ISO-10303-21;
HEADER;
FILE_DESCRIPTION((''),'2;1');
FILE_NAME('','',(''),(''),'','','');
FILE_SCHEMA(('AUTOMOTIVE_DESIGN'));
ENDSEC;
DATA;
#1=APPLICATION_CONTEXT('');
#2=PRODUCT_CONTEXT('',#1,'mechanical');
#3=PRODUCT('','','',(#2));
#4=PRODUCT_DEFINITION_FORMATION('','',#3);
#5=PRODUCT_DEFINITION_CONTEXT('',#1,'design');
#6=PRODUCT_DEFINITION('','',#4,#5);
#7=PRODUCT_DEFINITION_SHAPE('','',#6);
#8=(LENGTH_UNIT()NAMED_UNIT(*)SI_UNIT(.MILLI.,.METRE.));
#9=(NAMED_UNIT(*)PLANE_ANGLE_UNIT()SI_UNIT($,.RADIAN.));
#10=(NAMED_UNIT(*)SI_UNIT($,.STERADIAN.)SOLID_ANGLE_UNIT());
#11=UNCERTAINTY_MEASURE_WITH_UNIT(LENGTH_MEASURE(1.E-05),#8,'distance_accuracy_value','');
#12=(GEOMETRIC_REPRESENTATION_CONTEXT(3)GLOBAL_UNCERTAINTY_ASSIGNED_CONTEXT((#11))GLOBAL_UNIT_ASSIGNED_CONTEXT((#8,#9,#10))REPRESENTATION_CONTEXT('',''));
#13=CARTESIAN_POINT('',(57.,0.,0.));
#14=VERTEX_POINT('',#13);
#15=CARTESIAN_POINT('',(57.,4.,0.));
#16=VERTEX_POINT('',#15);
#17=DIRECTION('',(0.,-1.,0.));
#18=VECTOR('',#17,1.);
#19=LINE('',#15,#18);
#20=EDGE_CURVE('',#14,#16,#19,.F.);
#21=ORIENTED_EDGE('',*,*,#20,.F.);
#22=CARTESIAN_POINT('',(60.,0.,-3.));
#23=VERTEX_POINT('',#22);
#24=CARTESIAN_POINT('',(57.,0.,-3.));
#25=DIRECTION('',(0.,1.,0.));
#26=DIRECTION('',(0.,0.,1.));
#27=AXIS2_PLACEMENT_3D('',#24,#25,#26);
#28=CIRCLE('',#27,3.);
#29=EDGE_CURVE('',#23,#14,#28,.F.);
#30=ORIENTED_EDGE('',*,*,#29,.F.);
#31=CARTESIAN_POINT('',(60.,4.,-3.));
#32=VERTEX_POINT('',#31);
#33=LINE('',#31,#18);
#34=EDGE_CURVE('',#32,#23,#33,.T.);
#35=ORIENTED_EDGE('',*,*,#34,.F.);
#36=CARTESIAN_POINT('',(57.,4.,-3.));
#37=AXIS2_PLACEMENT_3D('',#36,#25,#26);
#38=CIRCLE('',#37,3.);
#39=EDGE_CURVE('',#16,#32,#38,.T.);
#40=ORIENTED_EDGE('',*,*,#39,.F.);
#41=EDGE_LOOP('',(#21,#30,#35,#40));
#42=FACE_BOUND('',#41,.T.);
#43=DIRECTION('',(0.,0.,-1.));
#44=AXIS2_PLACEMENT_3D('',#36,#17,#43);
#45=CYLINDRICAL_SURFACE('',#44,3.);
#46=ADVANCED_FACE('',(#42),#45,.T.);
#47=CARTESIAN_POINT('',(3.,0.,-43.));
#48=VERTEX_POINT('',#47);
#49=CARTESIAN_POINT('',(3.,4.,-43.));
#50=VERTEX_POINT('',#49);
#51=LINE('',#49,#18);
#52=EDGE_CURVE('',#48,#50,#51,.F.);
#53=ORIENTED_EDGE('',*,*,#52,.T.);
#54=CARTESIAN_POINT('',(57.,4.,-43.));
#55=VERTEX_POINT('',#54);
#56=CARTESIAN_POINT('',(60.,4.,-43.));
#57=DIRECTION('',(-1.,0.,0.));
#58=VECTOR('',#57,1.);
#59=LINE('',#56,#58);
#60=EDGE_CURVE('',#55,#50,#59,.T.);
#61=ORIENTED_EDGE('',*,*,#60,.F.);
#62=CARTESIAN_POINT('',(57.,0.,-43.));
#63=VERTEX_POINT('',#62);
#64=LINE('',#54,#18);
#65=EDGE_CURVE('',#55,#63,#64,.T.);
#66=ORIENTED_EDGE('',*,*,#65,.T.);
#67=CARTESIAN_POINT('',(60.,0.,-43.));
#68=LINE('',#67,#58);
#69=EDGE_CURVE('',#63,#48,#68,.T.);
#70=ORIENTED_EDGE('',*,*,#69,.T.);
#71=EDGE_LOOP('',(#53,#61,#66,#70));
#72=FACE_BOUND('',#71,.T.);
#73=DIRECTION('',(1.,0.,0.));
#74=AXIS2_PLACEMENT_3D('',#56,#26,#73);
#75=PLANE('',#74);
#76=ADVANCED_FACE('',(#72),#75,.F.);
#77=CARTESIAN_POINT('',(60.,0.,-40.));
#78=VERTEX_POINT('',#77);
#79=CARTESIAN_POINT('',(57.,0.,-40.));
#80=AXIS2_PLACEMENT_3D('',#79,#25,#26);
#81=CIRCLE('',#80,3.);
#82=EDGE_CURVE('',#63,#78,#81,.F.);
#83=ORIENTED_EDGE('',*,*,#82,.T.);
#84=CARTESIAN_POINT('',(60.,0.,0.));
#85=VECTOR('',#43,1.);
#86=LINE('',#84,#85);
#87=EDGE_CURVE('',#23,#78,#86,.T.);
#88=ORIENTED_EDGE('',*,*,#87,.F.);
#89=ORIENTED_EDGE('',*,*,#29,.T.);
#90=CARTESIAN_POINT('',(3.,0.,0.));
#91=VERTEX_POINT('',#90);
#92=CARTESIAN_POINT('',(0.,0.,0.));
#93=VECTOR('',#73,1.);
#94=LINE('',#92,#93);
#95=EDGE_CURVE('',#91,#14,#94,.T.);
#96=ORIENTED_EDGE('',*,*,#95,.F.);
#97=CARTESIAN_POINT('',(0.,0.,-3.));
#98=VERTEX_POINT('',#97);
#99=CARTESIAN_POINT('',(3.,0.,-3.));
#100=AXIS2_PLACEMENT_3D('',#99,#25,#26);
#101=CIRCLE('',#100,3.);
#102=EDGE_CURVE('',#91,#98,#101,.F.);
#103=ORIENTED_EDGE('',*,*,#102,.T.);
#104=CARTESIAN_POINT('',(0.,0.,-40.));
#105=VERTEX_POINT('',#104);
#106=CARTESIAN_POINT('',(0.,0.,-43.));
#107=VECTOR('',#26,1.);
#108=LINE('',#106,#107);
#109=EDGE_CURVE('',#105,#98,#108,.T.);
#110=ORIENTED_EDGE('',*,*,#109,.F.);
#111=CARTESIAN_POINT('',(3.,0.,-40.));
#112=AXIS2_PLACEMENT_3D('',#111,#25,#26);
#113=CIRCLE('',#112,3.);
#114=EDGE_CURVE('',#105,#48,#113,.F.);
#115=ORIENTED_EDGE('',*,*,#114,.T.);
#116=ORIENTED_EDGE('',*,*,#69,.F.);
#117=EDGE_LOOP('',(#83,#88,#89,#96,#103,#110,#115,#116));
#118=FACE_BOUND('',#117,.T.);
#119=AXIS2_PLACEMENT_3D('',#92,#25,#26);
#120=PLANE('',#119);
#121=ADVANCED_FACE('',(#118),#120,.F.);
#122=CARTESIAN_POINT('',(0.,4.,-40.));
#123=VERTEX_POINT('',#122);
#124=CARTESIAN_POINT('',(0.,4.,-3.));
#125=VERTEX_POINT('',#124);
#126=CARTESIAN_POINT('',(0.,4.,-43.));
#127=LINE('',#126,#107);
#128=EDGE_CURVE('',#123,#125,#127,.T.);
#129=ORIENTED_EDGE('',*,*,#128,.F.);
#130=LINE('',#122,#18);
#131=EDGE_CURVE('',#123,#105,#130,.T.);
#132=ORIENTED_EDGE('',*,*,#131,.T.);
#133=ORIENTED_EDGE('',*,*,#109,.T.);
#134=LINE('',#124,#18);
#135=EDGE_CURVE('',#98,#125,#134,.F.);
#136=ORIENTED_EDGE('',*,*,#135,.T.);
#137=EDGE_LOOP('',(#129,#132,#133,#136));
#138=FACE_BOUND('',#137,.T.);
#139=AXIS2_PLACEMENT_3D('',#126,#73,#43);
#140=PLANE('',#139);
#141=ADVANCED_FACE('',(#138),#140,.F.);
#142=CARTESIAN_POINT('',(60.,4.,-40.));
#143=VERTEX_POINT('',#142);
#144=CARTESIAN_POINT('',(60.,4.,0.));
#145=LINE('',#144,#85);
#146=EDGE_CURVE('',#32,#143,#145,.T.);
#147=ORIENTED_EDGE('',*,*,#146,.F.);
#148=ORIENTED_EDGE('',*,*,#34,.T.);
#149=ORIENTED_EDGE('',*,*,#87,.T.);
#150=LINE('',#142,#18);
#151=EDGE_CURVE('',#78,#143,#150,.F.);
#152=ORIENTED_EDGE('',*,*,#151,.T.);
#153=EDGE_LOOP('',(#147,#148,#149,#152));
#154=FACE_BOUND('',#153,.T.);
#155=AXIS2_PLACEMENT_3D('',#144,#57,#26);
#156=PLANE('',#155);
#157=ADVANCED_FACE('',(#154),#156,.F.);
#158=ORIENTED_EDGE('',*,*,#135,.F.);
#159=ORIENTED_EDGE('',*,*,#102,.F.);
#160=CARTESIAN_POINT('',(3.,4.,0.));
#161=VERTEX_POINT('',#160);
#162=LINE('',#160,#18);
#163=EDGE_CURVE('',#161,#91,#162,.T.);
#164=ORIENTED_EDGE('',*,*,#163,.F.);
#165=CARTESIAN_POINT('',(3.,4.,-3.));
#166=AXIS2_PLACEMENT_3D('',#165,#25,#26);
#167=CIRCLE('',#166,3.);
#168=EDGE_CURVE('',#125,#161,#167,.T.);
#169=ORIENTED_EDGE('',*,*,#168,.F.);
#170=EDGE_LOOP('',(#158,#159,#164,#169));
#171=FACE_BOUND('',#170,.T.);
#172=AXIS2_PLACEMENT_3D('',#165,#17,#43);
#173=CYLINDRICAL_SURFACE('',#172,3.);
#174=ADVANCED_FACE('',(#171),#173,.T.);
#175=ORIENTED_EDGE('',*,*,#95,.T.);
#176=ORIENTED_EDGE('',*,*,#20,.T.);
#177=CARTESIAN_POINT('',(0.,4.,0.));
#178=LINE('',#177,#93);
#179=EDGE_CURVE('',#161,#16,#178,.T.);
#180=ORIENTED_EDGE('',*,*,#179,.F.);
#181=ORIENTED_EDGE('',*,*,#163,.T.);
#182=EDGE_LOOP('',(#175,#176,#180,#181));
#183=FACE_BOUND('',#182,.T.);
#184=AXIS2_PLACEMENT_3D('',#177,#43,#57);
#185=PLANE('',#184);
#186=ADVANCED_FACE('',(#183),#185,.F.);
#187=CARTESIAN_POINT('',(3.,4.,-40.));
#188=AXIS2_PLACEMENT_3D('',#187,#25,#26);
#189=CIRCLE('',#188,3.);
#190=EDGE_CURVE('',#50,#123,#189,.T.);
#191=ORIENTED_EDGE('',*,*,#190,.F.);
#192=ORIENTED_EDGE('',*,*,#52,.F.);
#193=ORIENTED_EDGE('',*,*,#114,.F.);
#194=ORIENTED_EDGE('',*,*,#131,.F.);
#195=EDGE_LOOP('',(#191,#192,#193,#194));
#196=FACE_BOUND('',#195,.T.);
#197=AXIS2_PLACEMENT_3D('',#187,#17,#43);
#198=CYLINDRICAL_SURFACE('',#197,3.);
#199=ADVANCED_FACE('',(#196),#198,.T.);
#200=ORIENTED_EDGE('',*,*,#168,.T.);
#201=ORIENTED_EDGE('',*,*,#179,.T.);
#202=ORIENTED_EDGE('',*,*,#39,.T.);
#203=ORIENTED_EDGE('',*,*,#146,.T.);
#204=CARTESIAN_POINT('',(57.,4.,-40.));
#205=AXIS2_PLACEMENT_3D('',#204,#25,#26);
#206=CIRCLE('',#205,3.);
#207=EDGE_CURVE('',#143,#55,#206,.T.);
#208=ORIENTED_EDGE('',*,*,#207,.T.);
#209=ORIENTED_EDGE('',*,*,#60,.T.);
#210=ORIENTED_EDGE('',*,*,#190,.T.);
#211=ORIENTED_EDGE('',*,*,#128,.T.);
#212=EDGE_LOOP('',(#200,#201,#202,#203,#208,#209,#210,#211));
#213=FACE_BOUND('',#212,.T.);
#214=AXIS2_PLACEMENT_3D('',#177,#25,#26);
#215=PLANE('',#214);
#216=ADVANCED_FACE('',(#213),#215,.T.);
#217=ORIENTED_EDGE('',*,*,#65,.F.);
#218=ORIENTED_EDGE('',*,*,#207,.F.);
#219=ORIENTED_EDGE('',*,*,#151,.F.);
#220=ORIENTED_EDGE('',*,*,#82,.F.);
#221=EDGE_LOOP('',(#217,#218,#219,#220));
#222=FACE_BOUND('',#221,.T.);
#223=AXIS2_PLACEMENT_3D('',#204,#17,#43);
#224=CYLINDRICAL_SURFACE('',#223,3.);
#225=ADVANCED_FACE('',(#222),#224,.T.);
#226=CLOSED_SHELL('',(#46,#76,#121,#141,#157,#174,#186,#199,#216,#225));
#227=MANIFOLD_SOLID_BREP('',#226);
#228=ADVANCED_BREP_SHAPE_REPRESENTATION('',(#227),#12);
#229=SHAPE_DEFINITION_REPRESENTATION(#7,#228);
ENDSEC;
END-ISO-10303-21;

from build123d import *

# Parameters (mm, degrees)
SKETCH_1_W      = 60
SKETCH_1_H      = 43
EXTRUDE_1_DEPTH = 4
FILLET_1_R      = 3


with BuildPart() as part:
    # ｽｹｯﾁ1 → ﾎﾞｽ - 押し出し1 (new body)
    with BuildSketch(Plane(origin=(0, 0, 0), x_dir=(1, 0, 0), z_dir=(0, 1, 0))):
        with Locations((30, 21.5)):
            Rectangle(SKETCH_1_W, SKETCH_1_H)
    extrude(amount=EXTRUDE_1_DEPTH)

    # ﾌｨﾚｯﾄ1
    fillet_1_edges = [part.edges().sort_by_distance(p)[0] for p in [
        (0, 2, -43),
        (60, 2, -43),
        (60, 2, 0),
        (0, 2, 0),
    ]]
    fillet(fillet_1_edges, radius=FILLET_1_R)


solid = part.part
